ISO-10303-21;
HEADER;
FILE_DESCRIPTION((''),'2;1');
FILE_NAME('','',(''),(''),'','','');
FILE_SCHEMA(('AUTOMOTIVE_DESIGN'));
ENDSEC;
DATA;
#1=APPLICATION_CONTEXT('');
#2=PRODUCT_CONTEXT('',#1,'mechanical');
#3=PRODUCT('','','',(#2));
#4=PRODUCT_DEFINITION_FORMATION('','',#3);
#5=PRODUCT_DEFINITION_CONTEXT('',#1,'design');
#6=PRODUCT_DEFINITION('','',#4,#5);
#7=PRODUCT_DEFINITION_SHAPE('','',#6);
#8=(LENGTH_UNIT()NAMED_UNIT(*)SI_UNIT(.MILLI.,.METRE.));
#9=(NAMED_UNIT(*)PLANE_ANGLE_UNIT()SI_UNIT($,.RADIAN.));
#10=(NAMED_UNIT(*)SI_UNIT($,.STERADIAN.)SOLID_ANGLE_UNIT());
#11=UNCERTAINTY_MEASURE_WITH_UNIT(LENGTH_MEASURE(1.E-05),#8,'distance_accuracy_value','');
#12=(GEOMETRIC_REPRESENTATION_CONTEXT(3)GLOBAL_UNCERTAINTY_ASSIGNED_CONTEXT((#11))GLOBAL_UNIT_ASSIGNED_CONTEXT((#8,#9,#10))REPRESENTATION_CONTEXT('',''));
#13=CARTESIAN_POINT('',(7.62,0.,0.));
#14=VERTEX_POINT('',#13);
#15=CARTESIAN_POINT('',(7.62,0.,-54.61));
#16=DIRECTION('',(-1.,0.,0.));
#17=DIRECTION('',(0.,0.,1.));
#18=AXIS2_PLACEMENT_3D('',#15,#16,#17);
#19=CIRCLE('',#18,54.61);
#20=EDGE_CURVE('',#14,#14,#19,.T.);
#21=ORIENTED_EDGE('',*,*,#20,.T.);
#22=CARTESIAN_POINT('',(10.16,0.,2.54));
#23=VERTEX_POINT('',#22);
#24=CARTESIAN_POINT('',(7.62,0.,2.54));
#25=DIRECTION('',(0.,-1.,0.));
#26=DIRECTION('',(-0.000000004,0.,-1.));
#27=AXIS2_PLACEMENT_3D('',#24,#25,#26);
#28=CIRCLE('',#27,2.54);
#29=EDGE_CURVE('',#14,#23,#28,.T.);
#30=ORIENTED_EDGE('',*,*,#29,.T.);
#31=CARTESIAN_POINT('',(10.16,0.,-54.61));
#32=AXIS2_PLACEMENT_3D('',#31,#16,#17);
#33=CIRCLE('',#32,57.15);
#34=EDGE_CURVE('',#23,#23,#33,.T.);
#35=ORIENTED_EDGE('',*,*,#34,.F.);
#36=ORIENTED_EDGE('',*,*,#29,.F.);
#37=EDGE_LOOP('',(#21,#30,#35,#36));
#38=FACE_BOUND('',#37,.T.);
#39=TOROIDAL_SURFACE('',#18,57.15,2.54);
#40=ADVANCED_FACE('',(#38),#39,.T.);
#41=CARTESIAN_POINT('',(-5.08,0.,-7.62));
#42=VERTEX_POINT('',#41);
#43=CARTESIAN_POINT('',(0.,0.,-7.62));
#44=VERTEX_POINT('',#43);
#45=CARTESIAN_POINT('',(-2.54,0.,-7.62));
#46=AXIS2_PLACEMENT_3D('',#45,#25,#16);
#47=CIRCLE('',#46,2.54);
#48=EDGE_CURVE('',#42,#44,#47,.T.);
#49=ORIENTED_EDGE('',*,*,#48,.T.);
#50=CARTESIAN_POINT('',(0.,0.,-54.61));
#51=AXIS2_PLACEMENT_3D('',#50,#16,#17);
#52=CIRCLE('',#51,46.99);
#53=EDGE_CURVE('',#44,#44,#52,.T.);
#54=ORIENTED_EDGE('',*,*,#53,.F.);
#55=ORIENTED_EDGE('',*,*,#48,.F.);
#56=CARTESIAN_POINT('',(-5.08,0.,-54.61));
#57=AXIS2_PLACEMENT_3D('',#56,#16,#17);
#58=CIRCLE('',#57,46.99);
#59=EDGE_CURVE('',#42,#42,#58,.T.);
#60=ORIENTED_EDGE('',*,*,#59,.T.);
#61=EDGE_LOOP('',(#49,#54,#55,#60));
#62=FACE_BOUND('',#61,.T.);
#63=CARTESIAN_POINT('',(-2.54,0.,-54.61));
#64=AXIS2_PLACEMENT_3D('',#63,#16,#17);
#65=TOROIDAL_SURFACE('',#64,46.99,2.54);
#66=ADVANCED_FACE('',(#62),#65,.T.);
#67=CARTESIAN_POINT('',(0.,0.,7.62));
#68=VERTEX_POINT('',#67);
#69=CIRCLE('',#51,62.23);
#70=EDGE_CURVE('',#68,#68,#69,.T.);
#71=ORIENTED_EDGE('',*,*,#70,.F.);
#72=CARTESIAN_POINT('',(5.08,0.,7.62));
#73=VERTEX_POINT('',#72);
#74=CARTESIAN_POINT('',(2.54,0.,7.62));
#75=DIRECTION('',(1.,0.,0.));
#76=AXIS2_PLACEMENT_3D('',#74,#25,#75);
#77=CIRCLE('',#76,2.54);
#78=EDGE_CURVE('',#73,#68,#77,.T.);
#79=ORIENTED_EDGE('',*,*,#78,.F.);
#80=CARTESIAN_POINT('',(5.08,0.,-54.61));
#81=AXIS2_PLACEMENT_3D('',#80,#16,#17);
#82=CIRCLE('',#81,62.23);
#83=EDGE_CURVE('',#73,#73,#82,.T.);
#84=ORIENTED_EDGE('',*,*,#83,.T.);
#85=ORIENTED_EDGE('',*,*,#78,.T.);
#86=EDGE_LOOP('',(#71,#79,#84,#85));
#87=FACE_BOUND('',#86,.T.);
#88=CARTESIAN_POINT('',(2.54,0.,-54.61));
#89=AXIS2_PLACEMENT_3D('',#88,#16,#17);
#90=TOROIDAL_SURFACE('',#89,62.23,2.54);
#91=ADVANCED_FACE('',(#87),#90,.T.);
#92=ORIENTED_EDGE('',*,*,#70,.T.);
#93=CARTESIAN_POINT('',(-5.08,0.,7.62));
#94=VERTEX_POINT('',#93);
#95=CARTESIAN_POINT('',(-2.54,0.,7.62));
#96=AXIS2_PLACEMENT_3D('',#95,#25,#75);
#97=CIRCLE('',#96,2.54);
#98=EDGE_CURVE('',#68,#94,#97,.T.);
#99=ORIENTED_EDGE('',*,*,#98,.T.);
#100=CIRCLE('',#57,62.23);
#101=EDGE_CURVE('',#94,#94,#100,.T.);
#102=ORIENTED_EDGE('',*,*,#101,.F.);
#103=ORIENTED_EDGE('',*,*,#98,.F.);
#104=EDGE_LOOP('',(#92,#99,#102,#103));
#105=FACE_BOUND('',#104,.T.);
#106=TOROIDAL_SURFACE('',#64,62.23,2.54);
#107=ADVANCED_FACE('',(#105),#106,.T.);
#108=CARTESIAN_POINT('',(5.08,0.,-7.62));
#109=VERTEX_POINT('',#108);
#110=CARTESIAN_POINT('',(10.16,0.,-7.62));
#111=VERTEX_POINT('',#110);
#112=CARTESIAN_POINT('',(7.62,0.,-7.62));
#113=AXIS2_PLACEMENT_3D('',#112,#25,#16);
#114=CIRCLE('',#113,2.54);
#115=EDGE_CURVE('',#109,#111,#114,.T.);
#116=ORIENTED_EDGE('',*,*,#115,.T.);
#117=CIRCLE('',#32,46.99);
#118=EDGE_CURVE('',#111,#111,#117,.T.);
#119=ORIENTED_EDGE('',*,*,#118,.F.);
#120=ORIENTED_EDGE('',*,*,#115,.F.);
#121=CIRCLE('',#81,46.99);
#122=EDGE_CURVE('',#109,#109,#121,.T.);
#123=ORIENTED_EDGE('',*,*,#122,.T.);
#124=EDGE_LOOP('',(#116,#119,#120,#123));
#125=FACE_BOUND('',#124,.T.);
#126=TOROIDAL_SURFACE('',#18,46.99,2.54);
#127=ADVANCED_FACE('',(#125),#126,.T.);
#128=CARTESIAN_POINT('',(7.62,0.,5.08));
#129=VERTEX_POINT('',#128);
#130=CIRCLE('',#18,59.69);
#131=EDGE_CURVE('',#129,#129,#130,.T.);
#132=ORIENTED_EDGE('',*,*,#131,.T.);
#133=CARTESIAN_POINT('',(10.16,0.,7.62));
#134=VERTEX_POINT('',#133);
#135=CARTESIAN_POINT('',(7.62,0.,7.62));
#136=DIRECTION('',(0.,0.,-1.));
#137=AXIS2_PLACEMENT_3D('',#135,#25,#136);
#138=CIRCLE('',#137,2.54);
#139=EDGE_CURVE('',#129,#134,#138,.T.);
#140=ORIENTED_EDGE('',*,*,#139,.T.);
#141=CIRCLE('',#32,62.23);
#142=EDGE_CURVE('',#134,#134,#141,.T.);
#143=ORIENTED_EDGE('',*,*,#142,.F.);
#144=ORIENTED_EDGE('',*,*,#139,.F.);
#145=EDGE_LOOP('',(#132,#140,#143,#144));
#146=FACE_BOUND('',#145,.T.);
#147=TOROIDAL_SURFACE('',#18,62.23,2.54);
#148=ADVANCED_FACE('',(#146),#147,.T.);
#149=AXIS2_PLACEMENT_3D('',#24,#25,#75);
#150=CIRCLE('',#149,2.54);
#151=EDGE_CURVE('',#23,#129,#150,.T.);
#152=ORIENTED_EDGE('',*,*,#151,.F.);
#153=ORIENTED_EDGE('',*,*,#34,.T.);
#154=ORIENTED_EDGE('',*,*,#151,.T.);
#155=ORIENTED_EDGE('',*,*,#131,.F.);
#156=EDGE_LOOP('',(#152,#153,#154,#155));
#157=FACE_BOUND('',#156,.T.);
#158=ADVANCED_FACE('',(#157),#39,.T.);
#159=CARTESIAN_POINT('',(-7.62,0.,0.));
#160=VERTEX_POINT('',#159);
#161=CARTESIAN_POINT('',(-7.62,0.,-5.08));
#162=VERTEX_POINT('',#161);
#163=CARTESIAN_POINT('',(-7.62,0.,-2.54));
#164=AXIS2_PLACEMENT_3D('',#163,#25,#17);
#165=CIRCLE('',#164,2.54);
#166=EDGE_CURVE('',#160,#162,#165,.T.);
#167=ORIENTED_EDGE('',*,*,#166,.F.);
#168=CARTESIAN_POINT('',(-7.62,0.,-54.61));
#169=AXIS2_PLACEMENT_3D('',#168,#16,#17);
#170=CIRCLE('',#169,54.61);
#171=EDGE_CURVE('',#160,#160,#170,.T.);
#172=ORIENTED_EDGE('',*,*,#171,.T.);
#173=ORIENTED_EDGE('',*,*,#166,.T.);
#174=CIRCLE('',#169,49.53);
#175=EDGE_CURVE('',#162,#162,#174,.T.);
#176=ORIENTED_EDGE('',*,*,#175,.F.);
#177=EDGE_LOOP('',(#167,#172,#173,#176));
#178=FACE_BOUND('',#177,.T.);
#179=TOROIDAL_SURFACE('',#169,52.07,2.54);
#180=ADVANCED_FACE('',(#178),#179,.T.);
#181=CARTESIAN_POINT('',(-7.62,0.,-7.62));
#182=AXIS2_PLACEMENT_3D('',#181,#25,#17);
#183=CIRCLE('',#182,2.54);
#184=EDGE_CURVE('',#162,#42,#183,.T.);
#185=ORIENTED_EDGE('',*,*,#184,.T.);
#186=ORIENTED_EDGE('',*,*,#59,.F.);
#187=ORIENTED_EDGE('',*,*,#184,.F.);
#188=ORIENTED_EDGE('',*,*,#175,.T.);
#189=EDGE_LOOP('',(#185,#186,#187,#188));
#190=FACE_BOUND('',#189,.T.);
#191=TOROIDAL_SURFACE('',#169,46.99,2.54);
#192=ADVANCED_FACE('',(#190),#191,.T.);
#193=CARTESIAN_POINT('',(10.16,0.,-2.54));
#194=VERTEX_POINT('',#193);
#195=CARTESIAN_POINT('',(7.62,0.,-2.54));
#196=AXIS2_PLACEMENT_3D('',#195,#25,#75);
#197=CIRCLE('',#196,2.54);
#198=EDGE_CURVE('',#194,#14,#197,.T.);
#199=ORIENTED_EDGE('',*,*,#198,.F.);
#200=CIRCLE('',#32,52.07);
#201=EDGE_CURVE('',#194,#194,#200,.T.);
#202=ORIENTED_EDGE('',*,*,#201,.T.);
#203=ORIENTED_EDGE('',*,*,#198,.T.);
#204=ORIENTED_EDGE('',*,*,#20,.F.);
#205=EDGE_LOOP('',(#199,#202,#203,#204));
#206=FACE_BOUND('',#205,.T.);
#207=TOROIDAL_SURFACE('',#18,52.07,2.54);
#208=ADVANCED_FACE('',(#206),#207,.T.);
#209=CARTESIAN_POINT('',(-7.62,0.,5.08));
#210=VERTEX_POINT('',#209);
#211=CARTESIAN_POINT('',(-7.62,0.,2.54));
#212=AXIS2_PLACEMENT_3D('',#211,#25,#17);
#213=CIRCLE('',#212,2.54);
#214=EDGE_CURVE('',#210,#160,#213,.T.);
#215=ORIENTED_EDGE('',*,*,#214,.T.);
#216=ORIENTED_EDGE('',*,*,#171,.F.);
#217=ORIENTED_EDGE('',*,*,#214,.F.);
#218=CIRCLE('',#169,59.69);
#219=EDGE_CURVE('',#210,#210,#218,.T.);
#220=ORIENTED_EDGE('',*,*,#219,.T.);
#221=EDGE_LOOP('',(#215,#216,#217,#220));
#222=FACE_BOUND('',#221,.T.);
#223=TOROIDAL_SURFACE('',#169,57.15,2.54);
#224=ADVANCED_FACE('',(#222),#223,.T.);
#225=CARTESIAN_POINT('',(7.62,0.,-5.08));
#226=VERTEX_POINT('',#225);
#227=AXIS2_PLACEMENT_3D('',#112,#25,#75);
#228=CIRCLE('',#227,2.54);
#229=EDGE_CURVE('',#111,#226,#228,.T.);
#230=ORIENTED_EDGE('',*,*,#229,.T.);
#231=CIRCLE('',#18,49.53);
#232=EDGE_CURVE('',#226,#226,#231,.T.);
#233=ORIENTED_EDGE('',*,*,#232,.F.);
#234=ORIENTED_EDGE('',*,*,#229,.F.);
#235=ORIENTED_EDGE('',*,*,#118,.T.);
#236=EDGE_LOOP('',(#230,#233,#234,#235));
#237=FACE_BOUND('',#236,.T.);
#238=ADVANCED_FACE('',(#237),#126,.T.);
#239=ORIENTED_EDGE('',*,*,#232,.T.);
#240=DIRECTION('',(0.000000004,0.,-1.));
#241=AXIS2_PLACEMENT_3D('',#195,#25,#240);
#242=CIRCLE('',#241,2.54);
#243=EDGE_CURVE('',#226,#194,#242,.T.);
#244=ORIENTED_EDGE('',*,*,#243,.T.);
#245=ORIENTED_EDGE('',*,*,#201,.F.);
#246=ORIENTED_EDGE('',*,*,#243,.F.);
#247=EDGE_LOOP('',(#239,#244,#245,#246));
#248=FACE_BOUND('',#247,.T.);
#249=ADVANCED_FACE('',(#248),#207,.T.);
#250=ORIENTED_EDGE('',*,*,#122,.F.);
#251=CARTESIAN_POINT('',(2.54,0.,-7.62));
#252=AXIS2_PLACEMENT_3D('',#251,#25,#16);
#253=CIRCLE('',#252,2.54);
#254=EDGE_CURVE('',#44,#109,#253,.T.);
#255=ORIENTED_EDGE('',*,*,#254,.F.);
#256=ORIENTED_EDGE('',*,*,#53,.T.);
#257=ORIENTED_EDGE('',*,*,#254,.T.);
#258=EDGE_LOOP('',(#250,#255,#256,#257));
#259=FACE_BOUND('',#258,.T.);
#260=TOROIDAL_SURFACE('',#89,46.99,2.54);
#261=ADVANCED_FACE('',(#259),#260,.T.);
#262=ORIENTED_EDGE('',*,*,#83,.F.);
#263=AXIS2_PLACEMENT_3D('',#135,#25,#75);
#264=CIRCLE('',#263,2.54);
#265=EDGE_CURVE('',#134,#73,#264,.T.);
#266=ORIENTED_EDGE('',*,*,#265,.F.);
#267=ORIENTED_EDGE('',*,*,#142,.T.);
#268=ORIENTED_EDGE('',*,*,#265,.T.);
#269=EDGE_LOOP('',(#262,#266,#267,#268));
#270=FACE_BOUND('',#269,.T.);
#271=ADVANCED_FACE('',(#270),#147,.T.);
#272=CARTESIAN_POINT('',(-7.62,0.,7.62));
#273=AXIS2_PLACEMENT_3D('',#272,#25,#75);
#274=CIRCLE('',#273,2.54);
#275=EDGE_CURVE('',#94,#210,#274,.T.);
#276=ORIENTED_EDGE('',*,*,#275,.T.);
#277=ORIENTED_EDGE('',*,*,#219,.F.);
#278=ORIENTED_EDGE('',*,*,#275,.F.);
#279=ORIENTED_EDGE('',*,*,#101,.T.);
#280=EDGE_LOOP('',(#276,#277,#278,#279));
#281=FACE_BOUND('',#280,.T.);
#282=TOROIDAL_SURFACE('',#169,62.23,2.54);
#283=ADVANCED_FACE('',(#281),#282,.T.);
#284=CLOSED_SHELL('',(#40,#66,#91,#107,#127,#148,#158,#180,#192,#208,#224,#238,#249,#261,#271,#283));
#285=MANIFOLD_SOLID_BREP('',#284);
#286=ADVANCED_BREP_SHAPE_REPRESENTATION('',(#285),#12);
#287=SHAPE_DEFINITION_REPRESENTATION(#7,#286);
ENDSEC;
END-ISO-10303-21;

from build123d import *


with BuildPart() as f1:
    # F0 (on Front) → F1 (revolve)
    with BuildSketch(Plane.XZ):
        with BuildLine():
            ThreePointArc((10.16, -7.62), (9.4160512276, -5.8239487792), (7.6200000095, -5.08))
            ThreePointArc((7.6200000095, -5.08), (5.8239487792, -5.8239487724), (5.08, -7.62))
            ThreePointArc((5.08, -7.62), (7.62, -10.16), (10.16, -7.62))
        make_face()
        with BuildLine():
            ThreePointArc((10.16, 7.62), (7.62, 10.16), (5.08, 7.62))
            ThreePointArc((5.08, 7.62), (5.8239487758, 5.8239487758), (7.62, 5.08))
            ThreePointArc((7.62, 5.08), (9.4160512242, 5.8239487758), (10.16, 7.62))
        make_face()
        with BuildLine():
            ThreePointArc((-7.62, 5.08), (-5.8239487758, 5.8239487758), (-5.08, 7.62))
            ThreePointArc((-5.08, 7.62), (-9.4160512242, 9.4160512242), (-7.62, 5.08))
        make_face()
        with BuildLine():
            ThreePointArc((-5.08, -7.62), (-5.8239487758, -5.8239487758), (-7.62, -5.08))
            ThreePointArc((-7.62, -5.08), (-9.4160512242, -9.4160512242), (-5.08, -7.62))
        make_face()
        with BuildLine():
            ThreePointArc((7.6199999905, 0), (5.8239487724, -0.7439487792), (5.08, -2.54))
            ThreePointArc((5.08, -2.54), (5.8239487792, -4.3360512276), (7.6200000095, -5.08))
            ThreePointArc((7.6200000095, -5.08), (9.4160512276, -4.3360512208), (10.16, -2.54))
            ThreePointArc((10.16, -2.54), (9.4160512208, -0.7439487724), (7.6199999905, 0))
        make_face()
        with BuildLine():
            ThreePointArc((5.08, 2.54), (4.3360512242, 0.7439487758), (2.54, 0))
            ThreePointArc((2.54, 0), (4.3360512242, -0.7439487758), (5.08, -2.54))
            ThreePointArc((5.08, -2.54), (5.8239487724, -0.7439487792), (7.6199999905, 0))
            ThreePointArc((7.6199999905, 0), (5.8239487724, 0.7439487792), (5.08, 2.54))
        make_face()
        with BuildLine():
            ThreePointArc((7.6200000095, -5.08), (5.8239487792, -4.3360512276), (5.08, -2.54))
            ThreePointArc((5.08, -2.54), (4.3360512242, -4.3360512242), (2.54, -5.08))
            ThreePointArc((2.54, -5.08), (4.3360512242, -5.8239487758), (5.08, -7.62))
            ThreePointArc((5.08, -7.62), (5.8239487792, -5.8239487724), (7.6200000095, -5.08))
        make_face()
        with BuildLine():
            ThreePointArc((7.62, 5.08), (5.8239487758, 4.3360512242), (5.08, 2.54))
            ThreePointArc((5.08, 2.54), (5.8239487724, 0.7439487792), (7.6199999905, 0))
            ThreePointArc((7.6199999905, 0), (9.4160512208, 0.7439487724), (10.16, 2.54))
            ThreePointArc((10.16, 2.54), (9.4160512242, 4.3360512242), (7.62, 5.08))
        make_face()
        with BuildLine():
            ThreePointArc((0, 7.62), (0.7439487779, 5.8239487737), (2.5400000059, 5.08))
            ThreePointArc((2.5400000059, 5.08), (4.3360512263, 5.8239487779), (5.08, 7.62))
            ThreePointArc((5.08, 7.62), (2.54, 10.16), (0, 7.62))
        make_face()
        with BuildLine():
            ThreePointArc((-2.54, -5.08), (-4.3360512242, -4.3360512242), (-5.08, -2.54))
            ThreePointArc((-5.08, -2.54), (-5.8239487758, -4.3360512242), (-7.62, -5.08))
            ThreePointArc((-7.62, -5.08), (-5.8239487758, -5.8239487758), (-5.08, -7.62))
            ThreePointArc((-5.08, -7.62), (-4.3360512242, -5.8239487758), (-2.54, -5.08))
        make_face()
        with BuildLine():
            ThreePointArc((5.08, -7.62), (4.3360512242, -5.8239487758), (2.54, -5.08))
            ThreePointArc((2.54, -5.08), (0.7439487758, -5.8239487758), (0, -7.62))
            ThreePointArc((0, -7.62), (2.54, -10.16), (5.08, -7.62))
        make_face()
        with BuildLine():
            ThreePointArc((-5.08, 7.62), (-4.3360512221, 5.8239487737), (-2.5399999941, 5.08))
            ThreePointArc((-2.5399999941, 5.08), (-0.7439487737, 5.8239487779), (0, 7.62))
            ThreePointArc((0, 7.62), (-2.54, 10.16), (-5.08, 7.62))
        make_face()
        with BuildLine():
            ThreePointArc((-7.62, 0), (-5.8239487758, 0.7439487758), (-5.08, 2.54))
            ThreePointArc((-5.08, 2.54), (-5.8239487758, 4.3360512242), (-7.62, 5.08))
            ThreePointArc((-7.62, 5.08), (-10.16, 2.54), (-7.62, 0))
        make_face()
        with BuildLine():
            ThreePointArc((-7.62, -5.08), (-5.8239487758, -4.3360512242), (-5.08, -2.54))
            ThreePointArc((-5.08, -2.54), (-5.8239487758, -0.7439487758), (-7.62, 0))
            ThreePointArc((-7.62, 0), (-10.16, -2.54), (-7.62, -5.08))
        make_face()
        with BuildLine():
            ThreePointArc((0, -7.62), (-0.7439487758, -5.8239487758), (-2.54, -5.08))
            ThreePointArc((-2.54, -5.08), (-4.3360512242, -5.8239487758), (-5.08, -7.62))
            ThreePointArc((-5.08, -7.62), (-2.54, -10.16), (0, -7.62))
        make_face()
        with BuildLine():
            ThreePointArc((5.08, 7.62), (4.3360512263, 5.8239487779), (2.5400000059, 5.08))
            ThreePointArc((2.5400000059, 5.08), (4.3360512263, 4.3360512221), (5.08, 2.54))
            ThreePointArc((5.08, 2.54), (5.8239487758, 4.3360512242), (7.62, 5.08))
            ThreePointArc((7.62, 5.08), (5.8239487758, 5.8239487758), (5.08, 7.62))
        make_face()
        with BuildLine():
            ThreePointArc((2.54, -5.08), (0.7439487758, -4.3360512242), (0, -2.54))
            ThreePointArc((0, -2.54), (-0.7439487758, -4.3360512242), (-2.54, -5.08))
            ThreePointArc((-2.54, -5.08), (-0.7439487758, -5.8239487758), (0, -7.62))
            ThreePointArc((0, -7.62), (0.7439487758, -5.8239487758), (2.54, -5.08))
        make_face()
        with BuildLine():
            ThreePointArc((-5.08, -2.54), (-4.3360512242, -0.7439487758), (-2.54, 0))
            ThreePointArc((-2.54, 0), (-4.3360512242, 0.7439487758), (-5.08, 2.54))
            ThreePointArc((-5.08, 2.54), (-5.8239487758, 0.7439487758), (-7.62, 0))
            ThreePointArc((-7.62, 0), (-5.8239487758, -0.7439487758), (-5.08, -2.54))
        make_face()
        with BuildLine():
            ThreePointArc((-2.5399999941, 5.08), (-0.7439487737, 4.3360512221), (0, 2.54))
            ThreePointArc((0, 2.54), (0.7439487779, 4.3360512263), (2.5400000059, 5.08))
            ThreePointArc((2.5400000059, 5.08), (0.7439487779, 5.8239487737), (0, 7.62))
            ThreePointArc((0, 7.62), (-0.7439487737, 5.8239487779), (-2.5399999941, 5.08))
        make_face()
        with BuildLine():
            ThreePointArc((5.08, -2.54), (4.3360512242, -0.7439487758), (2.54, 0))
            ThreePointArc((2.54, 0), (0.7439487758, -0.7439487758), (0, -2.54))
            ThreePointArc((0, -2.54), (0.7439487758, -4.3360512242), (2.54, -5.08))
            ThreePointArc((2.54, -5.08), (4.3360512242, -4.3360512242), (5.08, -2.54))
        make_face()
        with BuildLine():
            ThreePointArc((-5.08, 2.54), (-4.3360512221, 4.3360512263), (-2.5399999941, 5.08))
            ThreePointArc((-2.5399999941, 5.08), (-4.3360512221, 5.8239487737), (-5.08, 7.62))
            ThreePointArc((-5.08, 7.62), (-5.8239487758, 5.8239487758), (-7.62, 5.08))
            ThreePointArc((-7.62, 5.08), (-5.8239487758, 4.3360512242), (-5.08, 2.54))
        make_face()
        with BuildLine():
            ThreePointArc((2.54, 0), (0.7439487758, 0.7439487758), (0, 2.54))
            ThreePointArc((0, 2.54), (-0.7439487758, 0.7439487758), (-2.54, 0))
            ThreePointArc((-2.54, 0), (-0.7439487758, -0.7439487758), (0, -2.54))
            ThreePointArc((0, -2.54), (0.7439487758, -0.7439487758), (2.54, 0))
        make_face()
        with BuildLine():
            ThreePointArc((-2.54, 0), (-0.7439487758, 0.7439487758), (0, 2.54))
            ThreePointArc((0, 2.54), (-0.7439487737, 4.3360512221), (-2.5399999941, 5.08))
            ThreePointArc((-2.5399999941, 5.08), (-4.3360512221, 4.3360512263), (-5.08, 2.54))
            ThreePointArc((-5.08, 2.54), (-4.3360512242, 0.7439487758), (-2.54, 0))
        make_face()
        with BuildLine():
            ThreePointArc((2.5400000059, 5.08), (0.7439487779, 4.3360512263), (0, 2.54))
            ThreePointArc((0, 2.54), (0.7439487758, 0.7439487758), (2.54, 0))
            ThreePointArc((2.54, 0), (4.3360512242, 0.7439487758), (5.08, 2.54))
            ThreePointArc((5.08, 2.54), (4.3360512263, 4.3360512221), (2.5400000059, 5.08))
        make_face()
        with BuildLine():
            ThreePointArc((0, -2.54), (-0.7439487758, -0.7439487758), (-2.54, 0))
            ThreePointArc((-2.54, 0), (-4.3360512242, -0.7439487758), (-5.08, -2.54))
            ThreePointArc((-5.08, -2.54), (-4.3360512242, -4.3360512242), (-2.54, -5.08))
            ThreePointArc((-2.54, -5.08), (-0.7439487758, -4.3360512242), (0, -2.54))
        make_face()
    revolve(axis=Axis((-6.9192871451, 0, -54.61), (-1, 0, 0)))


solid = f1.part
